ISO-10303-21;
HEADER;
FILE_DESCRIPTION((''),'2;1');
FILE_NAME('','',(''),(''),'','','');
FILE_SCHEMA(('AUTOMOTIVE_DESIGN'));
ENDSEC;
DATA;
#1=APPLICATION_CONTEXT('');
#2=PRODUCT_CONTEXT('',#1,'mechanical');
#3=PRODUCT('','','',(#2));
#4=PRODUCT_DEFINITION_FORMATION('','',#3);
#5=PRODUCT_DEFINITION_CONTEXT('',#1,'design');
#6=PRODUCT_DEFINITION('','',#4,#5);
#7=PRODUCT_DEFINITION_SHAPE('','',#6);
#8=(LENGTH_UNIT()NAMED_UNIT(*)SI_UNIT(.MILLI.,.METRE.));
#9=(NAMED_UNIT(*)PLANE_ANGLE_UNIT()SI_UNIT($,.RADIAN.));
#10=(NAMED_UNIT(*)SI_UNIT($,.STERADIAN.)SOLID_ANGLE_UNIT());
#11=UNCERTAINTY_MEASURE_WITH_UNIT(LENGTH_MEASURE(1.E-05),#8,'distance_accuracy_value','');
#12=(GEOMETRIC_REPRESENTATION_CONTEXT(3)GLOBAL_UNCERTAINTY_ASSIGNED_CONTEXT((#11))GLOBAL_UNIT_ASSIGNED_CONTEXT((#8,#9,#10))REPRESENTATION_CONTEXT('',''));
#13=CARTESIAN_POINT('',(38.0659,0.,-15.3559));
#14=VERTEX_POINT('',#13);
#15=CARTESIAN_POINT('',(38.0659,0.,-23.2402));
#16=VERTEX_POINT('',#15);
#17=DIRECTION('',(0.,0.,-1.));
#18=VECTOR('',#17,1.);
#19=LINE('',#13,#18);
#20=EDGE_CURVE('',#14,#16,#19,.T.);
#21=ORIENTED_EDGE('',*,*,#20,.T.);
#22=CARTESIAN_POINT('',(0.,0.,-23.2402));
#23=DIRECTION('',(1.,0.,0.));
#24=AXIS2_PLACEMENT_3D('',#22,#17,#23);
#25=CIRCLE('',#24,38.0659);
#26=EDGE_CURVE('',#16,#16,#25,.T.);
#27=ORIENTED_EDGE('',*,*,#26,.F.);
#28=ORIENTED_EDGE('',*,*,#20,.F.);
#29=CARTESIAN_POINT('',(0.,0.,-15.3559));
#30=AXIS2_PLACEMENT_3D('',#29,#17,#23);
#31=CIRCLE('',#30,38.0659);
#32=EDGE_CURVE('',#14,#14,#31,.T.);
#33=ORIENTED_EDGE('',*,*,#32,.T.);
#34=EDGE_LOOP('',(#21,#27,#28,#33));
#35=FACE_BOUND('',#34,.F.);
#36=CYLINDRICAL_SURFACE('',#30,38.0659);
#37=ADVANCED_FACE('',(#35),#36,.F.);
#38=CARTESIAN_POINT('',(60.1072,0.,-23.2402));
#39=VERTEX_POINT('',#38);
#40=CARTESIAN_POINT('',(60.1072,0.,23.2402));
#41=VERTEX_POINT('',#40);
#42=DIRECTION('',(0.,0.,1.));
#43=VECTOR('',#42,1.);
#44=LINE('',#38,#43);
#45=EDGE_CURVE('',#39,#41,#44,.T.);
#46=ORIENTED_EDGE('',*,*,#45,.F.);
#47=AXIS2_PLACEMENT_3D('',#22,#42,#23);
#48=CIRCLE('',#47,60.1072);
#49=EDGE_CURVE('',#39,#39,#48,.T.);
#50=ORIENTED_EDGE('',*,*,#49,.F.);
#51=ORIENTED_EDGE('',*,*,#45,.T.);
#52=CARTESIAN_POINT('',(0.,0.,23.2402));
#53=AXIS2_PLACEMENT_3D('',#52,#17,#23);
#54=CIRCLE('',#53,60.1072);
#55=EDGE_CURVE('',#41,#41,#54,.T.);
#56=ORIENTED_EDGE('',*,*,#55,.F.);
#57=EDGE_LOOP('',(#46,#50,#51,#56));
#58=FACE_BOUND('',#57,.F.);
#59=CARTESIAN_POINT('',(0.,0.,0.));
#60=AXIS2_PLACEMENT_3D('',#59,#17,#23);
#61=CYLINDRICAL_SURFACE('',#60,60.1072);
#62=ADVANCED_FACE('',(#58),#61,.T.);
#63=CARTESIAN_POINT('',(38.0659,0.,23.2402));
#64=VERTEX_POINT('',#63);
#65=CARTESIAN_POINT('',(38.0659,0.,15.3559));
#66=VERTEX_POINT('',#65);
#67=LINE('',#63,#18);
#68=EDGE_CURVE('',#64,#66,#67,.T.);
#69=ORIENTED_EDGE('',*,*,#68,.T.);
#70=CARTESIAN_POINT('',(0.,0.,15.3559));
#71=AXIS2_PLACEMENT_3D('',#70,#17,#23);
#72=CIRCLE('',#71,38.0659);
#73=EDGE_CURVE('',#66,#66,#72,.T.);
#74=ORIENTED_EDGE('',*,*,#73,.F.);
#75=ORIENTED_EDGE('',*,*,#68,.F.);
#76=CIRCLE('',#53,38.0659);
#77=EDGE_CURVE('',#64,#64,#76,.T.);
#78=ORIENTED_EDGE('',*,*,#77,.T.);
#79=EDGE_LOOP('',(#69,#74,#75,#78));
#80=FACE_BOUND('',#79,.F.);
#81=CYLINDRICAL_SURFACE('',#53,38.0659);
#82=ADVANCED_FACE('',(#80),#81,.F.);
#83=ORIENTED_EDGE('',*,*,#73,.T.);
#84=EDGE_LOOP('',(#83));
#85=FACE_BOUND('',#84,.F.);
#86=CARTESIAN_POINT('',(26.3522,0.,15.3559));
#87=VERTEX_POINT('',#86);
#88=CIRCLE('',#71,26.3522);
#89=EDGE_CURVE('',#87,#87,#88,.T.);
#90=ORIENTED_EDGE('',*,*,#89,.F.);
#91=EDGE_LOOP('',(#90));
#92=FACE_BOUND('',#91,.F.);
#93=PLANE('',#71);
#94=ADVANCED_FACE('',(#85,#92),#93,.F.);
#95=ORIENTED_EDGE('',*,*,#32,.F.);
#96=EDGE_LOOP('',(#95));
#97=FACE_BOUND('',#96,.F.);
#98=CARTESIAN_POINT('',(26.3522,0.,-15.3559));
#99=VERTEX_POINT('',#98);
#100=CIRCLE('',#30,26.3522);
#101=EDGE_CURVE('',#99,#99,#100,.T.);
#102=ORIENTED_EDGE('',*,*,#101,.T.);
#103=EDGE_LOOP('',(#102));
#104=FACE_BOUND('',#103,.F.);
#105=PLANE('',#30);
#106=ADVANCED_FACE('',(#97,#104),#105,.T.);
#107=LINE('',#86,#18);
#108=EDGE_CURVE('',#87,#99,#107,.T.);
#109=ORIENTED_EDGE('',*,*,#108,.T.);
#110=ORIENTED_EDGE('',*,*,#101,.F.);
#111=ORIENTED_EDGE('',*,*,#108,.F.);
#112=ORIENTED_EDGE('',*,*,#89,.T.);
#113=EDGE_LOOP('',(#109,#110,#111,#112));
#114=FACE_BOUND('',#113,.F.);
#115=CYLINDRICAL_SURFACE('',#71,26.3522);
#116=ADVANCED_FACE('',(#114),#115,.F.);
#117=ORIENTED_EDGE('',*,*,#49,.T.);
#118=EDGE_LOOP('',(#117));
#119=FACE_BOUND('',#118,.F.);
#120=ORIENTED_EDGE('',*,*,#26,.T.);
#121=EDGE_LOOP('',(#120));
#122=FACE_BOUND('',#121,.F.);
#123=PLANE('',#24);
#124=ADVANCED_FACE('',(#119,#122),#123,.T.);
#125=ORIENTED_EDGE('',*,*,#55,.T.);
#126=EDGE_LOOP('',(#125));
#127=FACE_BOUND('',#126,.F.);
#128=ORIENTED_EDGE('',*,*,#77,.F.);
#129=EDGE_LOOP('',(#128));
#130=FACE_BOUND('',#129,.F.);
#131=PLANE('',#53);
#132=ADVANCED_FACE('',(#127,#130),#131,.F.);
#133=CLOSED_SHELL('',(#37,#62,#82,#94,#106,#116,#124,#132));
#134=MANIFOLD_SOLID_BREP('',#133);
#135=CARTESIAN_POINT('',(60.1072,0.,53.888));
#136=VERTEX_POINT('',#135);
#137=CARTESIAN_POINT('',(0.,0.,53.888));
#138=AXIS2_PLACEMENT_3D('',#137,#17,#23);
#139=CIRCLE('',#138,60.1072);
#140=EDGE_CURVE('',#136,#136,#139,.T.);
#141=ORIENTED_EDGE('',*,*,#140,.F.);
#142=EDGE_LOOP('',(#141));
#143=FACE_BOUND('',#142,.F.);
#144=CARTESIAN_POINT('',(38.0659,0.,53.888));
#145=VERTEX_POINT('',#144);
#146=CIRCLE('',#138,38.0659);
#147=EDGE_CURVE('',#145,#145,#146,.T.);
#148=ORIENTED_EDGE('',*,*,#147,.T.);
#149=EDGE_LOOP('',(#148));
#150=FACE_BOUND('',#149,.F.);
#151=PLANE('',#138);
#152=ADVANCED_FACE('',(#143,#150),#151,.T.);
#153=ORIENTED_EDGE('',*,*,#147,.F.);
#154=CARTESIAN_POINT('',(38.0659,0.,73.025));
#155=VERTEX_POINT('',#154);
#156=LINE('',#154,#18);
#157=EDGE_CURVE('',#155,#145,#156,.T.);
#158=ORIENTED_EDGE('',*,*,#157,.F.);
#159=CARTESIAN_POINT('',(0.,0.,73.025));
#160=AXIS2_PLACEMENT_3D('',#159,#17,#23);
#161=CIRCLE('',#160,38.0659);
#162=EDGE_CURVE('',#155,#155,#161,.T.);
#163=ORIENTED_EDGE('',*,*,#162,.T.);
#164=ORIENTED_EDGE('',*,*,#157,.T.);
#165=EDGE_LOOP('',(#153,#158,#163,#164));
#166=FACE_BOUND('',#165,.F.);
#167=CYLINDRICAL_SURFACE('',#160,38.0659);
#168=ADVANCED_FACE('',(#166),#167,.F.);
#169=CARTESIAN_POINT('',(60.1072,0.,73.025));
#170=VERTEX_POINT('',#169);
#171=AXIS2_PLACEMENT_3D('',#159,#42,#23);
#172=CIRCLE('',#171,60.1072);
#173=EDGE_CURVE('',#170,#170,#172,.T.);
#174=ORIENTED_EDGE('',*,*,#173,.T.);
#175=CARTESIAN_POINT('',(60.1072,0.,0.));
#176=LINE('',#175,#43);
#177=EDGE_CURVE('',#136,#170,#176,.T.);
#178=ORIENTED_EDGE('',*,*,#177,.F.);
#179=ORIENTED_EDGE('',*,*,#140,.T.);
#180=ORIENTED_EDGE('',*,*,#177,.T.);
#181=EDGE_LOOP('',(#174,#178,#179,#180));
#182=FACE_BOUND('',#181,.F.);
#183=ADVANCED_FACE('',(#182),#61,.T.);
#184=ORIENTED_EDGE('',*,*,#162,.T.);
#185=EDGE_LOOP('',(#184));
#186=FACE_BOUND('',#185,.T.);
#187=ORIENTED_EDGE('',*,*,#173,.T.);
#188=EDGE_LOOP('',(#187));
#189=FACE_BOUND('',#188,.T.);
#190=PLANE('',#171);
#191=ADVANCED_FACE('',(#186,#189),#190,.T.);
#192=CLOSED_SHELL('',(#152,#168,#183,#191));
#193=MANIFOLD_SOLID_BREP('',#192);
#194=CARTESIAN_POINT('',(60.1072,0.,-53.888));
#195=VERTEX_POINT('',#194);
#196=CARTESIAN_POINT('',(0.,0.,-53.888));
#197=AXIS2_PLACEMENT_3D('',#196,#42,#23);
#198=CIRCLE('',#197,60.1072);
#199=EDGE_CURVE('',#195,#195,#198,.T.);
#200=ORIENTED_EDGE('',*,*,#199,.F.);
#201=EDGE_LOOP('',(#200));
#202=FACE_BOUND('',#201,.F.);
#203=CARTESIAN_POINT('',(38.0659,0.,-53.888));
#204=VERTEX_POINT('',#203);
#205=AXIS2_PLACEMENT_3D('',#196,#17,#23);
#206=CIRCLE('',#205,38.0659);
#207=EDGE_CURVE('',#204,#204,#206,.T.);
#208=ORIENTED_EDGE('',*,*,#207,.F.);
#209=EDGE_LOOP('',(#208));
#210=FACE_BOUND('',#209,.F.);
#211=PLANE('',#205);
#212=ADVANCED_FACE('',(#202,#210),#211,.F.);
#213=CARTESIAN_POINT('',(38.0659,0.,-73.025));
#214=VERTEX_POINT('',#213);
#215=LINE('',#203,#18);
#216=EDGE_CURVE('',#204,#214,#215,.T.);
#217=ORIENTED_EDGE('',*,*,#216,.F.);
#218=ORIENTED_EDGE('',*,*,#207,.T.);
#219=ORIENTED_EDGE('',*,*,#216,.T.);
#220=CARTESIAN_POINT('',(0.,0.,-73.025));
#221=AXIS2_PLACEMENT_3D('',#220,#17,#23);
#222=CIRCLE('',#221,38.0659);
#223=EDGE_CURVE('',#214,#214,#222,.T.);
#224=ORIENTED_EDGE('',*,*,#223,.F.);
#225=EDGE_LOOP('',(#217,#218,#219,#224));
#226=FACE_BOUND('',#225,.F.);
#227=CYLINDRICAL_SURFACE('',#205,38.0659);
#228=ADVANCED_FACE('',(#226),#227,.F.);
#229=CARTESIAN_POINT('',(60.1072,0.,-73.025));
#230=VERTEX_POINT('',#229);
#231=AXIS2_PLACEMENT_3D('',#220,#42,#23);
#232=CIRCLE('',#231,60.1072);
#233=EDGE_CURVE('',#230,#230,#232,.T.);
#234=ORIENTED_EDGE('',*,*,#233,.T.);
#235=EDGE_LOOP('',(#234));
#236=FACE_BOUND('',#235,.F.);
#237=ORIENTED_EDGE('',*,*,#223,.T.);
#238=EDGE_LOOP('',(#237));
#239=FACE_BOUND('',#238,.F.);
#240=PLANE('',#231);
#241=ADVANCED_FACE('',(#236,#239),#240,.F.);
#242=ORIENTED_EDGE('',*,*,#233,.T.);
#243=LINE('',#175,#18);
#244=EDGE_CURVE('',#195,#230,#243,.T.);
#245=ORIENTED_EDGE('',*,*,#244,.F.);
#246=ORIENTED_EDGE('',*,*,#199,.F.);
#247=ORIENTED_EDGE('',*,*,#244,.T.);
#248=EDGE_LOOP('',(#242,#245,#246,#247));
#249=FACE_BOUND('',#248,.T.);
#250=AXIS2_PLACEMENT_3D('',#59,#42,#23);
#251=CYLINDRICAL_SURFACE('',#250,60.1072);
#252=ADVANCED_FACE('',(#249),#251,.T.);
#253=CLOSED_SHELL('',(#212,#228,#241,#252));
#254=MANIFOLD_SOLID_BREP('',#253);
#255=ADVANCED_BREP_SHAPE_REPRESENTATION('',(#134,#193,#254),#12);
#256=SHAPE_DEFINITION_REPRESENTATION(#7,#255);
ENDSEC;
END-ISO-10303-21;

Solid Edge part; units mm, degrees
sketch "Sketch1" plane through (0, 0, 0) normal (0, 0, 1) x (1, 0, 0)
  circle A0 centre (0, 0) radius 60.1072
extrude "Protrusion1" add sketch "Sketch1" along normal mid plane 146.05
sketch "Sketch2" plane through (0, 0, 0) normal (0, -1, 0) x (1, 0, 0)
  line L0 (38.0659, -53.888) -> (38.0659, -73.025)
  line L1 (73.4759, -53.888) -> (38.0659, -53.888)
  line L2 (73.4759, -23.2402) -> (73.4759, -53.888)
  line L3 (38.0659, -23.2402) -> (73.4759, -23.2402)
  line L4 (38.0659, -15.3559) -> (38.0659, -23.2402)
  line L5 (26.3522, -15.3559) -> (38.0659, -15.3559)
  line L6 (26.3522, 15.3559) -> (26.3522, -15.3559)
  line L7 (38.0659, 15.3559) -> (26.3522, 15.3559)
  line L8 (38.0659, 23.2402) -> (38.0659, 15.3559)
  line L9 (73.4759, 23.2402) -> (38.0659, 23.2402)
  line L10 (73.4759, 53.888) -> (73.4759, 23.2402)
  line L11 (38.0659, 53.888) -> (73.4759, 53.888)
  line L12 (38.0659, 73.025) -> (38.0659, 53.888)
revolve "RevolvedCutout1" cut sketch "Sketch2" angle 360 about axis through (0, 0, 73.025) along (0, 0, -1) material side at (38.0159, 0, -63.4565)
